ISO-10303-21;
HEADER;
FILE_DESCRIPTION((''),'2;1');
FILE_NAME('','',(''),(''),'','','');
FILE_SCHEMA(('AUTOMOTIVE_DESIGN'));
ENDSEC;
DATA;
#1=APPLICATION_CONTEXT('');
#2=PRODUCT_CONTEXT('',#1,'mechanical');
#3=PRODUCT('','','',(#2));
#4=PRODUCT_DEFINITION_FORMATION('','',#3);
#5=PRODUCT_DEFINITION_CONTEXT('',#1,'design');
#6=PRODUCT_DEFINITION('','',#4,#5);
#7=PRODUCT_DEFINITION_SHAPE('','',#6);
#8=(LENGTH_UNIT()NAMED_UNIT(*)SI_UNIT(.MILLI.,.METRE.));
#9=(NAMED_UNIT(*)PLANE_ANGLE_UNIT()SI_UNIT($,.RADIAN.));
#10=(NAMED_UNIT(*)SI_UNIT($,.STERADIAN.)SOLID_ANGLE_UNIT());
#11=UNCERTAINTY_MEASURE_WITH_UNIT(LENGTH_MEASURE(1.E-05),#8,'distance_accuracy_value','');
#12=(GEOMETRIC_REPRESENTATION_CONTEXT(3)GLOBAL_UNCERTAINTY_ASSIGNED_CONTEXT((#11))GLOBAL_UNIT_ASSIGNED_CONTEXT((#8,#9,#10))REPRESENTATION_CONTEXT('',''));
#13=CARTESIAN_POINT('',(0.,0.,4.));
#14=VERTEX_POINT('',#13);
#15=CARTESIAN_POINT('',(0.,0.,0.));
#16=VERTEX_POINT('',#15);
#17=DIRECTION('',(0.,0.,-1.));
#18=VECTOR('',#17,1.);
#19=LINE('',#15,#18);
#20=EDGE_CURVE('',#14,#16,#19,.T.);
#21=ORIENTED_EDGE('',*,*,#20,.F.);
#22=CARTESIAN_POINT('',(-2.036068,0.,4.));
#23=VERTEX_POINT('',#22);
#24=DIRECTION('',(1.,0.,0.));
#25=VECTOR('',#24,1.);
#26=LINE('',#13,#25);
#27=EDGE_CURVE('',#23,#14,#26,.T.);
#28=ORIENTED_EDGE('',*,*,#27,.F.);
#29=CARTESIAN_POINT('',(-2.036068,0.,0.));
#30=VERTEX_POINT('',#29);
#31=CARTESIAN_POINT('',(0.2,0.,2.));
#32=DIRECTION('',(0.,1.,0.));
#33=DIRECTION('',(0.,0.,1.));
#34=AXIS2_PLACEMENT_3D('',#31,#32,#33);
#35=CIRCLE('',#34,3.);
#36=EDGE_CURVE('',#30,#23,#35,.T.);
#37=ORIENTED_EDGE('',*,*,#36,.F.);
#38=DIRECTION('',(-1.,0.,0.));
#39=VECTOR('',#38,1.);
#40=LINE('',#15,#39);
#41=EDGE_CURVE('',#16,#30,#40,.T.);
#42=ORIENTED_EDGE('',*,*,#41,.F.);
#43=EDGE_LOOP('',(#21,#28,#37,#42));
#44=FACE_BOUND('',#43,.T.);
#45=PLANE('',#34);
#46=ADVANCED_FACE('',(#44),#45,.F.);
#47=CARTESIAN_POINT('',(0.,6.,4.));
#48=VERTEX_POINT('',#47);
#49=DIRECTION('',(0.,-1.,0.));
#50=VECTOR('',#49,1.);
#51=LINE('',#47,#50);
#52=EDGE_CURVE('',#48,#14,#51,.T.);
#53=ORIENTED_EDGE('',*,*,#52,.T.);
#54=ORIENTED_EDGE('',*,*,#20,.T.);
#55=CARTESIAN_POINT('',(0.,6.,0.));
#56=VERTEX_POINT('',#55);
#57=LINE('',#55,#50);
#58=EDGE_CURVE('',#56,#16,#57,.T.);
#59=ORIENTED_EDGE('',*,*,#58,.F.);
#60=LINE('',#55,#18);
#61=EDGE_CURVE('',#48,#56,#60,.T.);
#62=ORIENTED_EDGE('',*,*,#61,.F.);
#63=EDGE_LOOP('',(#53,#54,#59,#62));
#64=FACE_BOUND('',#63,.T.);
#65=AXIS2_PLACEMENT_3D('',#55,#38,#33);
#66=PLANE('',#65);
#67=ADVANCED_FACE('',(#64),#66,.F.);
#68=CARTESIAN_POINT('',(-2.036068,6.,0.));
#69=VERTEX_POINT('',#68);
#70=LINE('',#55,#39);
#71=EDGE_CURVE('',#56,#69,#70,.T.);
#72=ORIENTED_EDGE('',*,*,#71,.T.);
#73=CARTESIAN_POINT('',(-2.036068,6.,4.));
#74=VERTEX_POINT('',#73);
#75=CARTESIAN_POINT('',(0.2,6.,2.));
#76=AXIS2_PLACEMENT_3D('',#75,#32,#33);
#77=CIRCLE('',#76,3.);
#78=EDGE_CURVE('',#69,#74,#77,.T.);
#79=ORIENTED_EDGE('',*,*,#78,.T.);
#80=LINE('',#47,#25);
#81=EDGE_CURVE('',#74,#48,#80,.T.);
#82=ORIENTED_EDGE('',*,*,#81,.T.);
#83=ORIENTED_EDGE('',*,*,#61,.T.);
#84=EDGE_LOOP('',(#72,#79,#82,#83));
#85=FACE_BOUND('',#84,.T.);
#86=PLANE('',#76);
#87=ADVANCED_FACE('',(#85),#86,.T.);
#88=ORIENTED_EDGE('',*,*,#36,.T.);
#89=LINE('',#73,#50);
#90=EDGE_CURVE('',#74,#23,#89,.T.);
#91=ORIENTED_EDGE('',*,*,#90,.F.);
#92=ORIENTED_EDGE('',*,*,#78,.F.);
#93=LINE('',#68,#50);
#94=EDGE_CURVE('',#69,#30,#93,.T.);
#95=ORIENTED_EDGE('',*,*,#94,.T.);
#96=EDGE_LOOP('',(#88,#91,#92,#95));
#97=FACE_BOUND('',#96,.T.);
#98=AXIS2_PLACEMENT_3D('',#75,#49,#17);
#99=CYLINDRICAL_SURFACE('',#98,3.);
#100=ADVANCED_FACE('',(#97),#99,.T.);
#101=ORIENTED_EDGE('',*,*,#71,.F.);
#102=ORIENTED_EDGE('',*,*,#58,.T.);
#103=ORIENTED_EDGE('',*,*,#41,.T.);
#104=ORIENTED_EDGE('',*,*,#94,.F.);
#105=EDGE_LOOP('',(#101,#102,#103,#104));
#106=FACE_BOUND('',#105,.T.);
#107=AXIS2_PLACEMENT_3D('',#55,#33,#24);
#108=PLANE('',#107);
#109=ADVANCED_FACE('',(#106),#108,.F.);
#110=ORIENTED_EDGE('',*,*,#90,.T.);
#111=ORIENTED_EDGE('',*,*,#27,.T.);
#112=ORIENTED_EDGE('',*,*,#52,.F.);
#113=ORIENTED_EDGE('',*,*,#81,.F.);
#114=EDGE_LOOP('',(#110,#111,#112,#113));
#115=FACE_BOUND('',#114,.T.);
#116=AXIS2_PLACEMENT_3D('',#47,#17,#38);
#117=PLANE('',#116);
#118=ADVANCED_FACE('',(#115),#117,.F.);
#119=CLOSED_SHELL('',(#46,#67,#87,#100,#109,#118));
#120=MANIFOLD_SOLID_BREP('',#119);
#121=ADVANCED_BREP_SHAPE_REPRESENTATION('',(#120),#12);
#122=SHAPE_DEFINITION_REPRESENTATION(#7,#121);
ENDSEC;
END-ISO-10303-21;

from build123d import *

# Parameters (mm, degrees)
EXTRUDE_1_DEPTH = 6


with BuildPart() as part:
    # 草图1 → 凸台-拉伸1 (new body)
    with BuildSketch(Plane(origin=(0, 0, 0), x_dir=(1, 0, 0), z_dir=(0, 1, 0))):
        with BuildLine():
            Line((0, 0), (0, -4))
            Line((0, -4), (-2.036067977, -4))
            ThreePointArc((-2.036067977, -4), (-2.8, -2), (-2.036067977, 0))
            Line((-2.036067977, 0), (0, 0))
        make_face()
    extrude(amount=EXTRUDE_1_DEPTH)


solid = part.part
